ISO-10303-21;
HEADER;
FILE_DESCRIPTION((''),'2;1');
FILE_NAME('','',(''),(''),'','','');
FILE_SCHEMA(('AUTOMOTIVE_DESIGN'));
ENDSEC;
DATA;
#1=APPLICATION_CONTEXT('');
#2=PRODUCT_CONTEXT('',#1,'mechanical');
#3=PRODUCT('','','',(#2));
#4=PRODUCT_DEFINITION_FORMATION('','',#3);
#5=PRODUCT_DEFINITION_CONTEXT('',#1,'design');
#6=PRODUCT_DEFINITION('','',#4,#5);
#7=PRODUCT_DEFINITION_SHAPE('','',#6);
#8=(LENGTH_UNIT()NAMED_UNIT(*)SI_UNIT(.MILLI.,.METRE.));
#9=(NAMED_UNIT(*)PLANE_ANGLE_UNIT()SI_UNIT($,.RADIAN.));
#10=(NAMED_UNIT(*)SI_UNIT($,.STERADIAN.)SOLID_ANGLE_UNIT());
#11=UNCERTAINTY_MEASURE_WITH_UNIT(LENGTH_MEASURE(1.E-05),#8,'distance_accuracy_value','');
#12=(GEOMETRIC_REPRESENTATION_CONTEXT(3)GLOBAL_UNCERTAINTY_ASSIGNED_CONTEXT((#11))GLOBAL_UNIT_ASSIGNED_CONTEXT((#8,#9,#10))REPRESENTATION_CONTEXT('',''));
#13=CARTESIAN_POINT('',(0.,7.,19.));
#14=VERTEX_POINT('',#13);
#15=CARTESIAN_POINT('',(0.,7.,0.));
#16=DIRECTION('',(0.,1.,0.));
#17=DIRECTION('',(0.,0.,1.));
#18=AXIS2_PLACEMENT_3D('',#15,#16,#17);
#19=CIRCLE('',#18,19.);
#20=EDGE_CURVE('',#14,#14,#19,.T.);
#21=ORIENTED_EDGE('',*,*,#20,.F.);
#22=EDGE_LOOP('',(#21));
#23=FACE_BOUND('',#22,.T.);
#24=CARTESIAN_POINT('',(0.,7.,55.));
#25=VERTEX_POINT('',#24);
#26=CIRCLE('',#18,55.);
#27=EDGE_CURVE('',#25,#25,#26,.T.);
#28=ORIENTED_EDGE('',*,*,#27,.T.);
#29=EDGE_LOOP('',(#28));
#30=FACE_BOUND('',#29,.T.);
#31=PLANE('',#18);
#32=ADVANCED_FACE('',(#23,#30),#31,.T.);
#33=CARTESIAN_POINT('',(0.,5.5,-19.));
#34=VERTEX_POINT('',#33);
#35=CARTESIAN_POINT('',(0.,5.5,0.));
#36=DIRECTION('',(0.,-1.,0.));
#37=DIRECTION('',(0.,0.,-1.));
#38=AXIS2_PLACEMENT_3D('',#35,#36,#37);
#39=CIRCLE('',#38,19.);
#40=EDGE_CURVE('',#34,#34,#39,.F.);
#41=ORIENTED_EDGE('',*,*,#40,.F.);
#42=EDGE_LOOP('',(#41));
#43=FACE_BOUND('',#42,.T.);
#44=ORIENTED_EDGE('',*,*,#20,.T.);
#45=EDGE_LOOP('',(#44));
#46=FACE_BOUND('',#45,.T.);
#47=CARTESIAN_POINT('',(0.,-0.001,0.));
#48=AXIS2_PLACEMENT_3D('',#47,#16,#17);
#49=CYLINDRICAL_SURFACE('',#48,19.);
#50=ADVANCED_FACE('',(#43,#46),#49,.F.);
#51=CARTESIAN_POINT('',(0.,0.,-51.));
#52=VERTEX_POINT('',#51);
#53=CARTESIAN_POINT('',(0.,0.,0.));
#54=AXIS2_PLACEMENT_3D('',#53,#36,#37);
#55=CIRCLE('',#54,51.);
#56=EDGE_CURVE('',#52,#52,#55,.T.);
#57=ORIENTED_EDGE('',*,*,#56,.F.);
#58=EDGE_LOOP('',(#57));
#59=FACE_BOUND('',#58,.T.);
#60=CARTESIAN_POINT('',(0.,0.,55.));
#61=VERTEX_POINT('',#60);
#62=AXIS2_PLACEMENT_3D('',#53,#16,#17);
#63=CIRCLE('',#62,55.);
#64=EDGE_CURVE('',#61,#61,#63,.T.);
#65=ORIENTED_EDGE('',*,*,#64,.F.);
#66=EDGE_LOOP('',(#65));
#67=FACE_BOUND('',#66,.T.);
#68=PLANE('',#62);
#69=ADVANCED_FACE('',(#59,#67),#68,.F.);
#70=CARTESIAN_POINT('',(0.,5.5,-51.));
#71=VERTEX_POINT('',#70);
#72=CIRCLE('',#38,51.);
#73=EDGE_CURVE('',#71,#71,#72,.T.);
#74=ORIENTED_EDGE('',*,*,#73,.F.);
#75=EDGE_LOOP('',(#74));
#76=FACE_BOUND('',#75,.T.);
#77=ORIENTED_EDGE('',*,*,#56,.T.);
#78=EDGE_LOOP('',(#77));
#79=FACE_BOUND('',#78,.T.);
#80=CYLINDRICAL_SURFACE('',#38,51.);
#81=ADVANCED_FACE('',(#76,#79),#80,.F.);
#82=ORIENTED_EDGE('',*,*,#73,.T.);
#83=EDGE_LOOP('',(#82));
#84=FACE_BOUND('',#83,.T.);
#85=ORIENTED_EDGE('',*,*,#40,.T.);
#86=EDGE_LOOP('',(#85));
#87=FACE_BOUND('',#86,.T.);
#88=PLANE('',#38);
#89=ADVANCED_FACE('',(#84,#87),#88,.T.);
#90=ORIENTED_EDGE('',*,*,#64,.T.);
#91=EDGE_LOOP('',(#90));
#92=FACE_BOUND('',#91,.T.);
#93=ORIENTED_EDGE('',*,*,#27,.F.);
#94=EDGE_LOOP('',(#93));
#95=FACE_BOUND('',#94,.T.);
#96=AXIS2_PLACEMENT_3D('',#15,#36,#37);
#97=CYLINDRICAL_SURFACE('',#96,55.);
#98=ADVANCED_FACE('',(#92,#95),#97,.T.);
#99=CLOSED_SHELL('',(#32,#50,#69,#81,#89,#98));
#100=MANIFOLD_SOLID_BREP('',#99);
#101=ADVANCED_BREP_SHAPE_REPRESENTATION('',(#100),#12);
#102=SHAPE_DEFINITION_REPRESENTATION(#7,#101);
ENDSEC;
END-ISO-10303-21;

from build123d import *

# Parameters (mm, degrees)
CROQUIS1_R              = 55
SALIENTE_EXTRUIR1_DEPTH = 7
CROQUIS2_R              = 51
CORTAR_EXTRUIR1_DEPTH   = 5.5
CORTAR_EXTRUIR2_REACH   = 80.096
CROQUIS3_R              = 19


with BuildPart() as part:
    # Croquis1 → Saliente-Extruir1 (new body)
    with BuildSketch(Plane(origin=(0, 0, 0), x_dir=(1, 0, 0), z_dir=(0, 1, 0))):
        with Locations(Location((0, 0, 0), (0, 0, 270))):
            Circle(CROQUIS1_R)
    extrude(amount=SALIENTE_EXTRUIR1_DEPTH)

    # Croquis2 → Cortar-Extruir1 (cut)
    with BuildSketch(Plane.XZ):
        with Locations(Location((0, 0, 0), (0, 0, 270))):
            Circle(CROQUIS2_R)
    extrude(amount=-CORTAR_EXTRUIR1_DEPTH, mode=Mode.SUBTRACT)

    # Croquis3 → Cortar-Extruir2 (cut, up to next)
    with BuildSketch(Plane(origin=(0, 7, 0), x_dir=(1, 0, 0), z_dir=(0, 1, 0)), mode=Mode.PRIVATE) as cortar_extruir2_sk1:
        with Locations(Location((0, 0, 0), (0, 0, 270))):
            Circle(CROQUIS3_R)
    cortar_extruir2_tool1 = extrude(cortar_extruir2_sk1.sketch, amount=-CORTAR_EXTRUIR2_REACH, mode=Mode.PRIVATE) & part.part
    add(cortar_extruir2_tool1.solids().sort_by_distance((0, 7, 0))[0], mode=Mode.SUBTRACT)


solid = part.part
